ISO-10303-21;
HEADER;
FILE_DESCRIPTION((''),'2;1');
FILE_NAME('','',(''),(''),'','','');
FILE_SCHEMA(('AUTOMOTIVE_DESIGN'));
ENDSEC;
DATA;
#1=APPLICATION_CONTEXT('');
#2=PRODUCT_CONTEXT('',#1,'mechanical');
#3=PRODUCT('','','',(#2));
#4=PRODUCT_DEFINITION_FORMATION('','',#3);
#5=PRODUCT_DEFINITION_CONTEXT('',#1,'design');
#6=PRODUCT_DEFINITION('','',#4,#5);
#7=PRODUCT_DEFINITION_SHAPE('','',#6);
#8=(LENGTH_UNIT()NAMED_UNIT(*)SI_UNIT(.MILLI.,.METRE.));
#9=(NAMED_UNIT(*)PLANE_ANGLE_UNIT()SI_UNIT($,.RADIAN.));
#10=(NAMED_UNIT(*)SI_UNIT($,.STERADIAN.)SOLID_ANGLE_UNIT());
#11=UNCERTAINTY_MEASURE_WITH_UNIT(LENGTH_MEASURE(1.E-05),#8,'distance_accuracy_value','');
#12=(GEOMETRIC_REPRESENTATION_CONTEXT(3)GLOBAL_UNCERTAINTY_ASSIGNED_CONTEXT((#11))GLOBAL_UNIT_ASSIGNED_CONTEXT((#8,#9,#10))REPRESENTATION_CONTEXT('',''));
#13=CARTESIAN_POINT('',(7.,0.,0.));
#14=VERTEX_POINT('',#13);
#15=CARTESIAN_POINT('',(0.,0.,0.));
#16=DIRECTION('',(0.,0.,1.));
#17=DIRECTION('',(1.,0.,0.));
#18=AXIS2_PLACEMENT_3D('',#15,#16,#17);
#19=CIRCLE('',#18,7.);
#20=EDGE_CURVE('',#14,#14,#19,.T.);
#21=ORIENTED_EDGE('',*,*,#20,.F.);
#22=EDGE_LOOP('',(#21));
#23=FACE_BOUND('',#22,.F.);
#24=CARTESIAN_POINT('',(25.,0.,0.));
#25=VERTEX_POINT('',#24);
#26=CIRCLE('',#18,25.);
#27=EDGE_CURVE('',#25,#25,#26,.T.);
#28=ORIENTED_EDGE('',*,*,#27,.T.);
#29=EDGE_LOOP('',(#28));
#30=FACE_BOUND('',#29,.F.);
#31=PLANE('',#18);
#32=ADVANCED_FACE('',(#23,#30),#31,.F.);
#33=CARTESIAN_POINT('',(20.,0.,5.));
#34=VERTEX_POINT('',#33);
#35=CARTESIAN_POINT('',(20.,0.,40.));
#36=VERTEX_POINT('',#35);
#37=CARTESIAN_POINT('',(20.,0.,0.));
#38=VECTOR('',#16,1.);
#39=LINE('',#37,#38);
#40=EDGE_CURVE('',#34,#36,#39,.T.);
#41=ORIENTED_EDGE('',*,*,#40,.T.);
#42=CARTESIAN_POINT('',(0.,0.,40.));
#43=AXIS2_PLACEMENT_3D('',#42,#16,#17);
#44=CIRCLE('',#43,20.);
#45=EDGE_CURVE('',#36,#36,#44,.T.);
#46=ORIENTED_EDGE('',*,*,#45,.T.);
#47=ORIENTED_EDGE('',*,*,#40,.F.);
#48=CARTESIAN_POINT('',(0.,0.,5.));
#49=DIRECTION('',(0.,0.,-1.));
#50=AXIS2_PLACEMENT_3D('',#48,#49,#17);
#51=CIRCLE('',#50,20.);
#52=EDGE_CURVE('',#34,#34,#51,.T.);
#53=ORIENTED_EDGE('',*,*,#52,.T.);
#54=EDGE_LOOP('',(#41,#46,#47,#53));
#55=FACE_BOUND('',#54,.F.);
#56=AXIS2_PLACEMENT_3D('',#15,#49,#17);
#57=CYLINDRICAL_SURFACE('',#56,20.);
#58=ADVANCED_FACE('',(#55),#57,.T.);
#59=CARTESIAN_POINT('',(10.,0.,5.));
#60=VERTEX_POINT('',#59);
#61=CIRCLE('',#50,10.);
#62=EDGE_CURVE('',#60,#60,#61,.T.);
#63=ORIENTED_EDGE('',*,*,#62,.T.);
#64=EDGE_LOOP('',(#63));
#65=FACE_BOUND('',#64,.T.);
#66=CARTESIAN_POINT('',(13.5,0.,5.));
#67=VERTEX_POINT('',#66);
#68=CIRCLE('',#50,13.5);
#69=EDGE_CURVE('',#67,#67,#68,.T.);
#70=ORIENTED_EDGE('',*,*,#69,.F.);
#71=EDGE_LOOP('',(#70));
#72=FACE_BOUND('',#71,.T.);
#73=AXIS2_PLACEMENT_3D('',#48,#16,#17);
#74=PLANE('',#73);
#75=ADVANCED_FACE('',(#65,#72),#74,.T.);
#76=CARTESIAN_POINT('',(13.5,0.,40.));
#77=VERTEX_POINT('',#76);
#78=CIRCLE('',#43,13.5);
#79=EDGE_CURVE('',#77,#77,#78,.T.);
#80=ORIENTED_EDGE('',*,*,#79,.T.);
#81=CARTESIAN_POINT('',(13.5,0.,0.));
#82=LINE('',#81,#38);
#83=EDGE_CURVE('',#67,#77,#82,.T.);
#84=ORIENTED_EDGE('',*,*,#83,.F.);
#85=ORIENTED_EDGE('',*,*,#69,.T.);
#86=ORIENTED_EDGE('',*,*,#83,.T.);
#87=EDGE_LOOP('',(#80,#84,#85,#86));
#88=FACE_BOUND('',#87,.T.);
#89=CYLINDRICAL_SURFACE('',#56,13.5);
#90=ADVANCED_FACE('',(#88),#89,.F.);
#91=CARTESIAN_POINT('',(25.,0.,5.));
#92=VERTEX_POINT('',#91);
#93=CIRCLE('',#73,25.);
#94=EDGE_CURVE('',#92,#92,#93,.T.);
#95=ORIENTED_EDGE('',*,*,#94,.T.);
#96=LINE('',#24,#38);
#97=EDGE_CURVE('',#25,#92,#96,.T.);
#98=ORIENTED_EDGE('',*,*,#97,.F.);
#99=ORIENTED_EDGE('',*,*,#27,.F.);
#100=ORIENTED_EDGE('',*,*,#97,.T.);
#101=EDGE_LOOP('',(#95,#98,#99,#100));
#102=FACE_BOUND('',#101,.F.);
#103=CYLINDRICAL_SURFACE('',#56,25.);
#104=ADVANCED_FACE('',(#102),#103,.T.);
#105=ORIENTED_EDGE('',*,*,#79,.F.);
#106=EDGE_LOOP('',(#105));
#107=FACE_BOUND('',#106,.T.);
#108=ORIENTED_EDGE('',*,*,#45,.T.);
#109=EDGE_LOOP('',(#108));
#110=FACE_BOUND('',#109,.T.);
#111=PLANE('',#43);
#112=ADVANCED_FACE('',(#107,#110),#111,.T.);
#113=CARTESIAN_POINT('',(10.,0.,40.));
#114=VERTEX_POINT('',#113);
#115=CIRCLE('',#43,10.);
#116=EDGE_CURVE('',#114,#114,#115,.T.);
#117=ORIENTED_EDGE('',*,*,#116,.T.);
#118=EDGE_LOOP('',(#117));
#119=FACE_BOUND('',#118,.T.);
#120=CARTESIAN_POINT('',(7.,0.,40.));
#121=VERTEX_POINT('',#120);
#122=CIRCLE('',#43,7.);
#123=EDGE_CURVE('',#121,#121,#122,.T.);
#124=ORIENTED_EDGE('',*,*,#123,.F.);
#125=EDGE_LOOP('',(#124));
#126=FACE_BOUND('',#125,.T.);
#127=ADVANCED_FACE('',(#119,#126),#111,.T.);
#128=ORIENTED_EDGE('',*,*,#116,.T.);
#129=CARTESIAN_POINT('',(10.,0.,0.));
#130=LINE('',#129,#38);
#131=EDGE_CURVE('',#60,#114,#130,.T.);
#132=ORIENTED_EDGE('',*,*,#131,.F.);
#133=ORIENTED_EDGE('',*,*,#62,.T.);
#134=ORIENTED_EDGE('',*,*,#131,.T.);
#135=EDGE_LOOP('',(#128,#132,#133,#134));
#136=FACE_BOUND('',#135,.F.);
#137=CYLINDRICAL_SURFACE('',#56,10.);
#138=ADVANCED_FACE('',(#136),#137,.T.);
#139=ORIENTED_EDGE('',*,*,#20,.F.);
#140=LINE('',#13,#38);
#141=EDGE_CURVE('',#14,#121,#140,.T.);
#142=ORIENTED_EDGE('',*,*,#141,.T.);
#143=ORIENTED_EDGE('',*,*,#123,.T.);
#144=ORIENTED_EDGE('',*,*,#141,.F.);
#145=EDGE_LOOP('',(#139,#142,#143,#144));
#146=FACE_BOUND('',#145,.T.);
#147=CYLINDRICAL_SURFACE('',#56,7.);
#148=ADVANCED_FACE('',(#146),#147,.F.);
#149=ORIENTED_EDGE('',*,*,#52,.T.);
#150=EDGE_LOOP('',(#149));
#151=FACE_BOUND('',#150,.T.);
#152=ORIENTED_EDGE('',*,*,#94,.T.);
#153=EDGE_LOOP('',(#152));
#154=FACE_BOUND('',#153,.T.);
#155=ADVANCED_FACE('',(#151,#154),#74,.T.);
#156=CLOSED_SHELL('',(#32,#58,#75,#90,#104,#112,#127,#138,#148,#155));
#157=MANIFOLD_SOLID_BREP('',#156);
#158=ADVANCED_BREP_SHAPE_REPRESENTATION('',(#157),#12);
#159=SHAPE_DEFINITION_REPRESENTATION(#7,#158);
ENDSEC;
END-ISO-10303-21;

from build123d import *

# Parameters (mm, degrees)
F0_R     = 25
F0_R_2   = 20
F0_R_3   = 13.5
F0_R_4   = 10
F0_R_5   = 7
F1_DEPTH = 5
F2_DEPTH = 40
F3_DEPTH = 40


with BuildPart() as f1:
    # F0 (on Top) → F1 (new body)
    with BuildSketch(Plane.XY):
        Circle(F0_R)
        Circle(F0_R_2, mode=Mode.SUBTRACT)
        Circle(F0_R_2)
        Circle(F0_R_3, mode=Mode.SUBTRACT)
        Circle(F0_R_3)
        Circle(F0_R_4, mode=Mode.SUBTRACT)
        Circle(F0_R_4)
        Circle(F0_R_5, mode=Mode.SUBTRACT)
    extrude(amount=F1_DEPTH)

    # F0 (on Top) → F2 (join)
    with BuildSketch(Plane.XY):
        Circle(F0_R_2)
        Circle(F0_R_3, mode=Mode.SUBTRACT)
    extrude(amount=F2_DEPTH)

    # F0 (on Top) → F3 (join)
    with BuildSketch(Plane.XY):
        Circle(F0_R_4)
        Circle(F0_R_5, mode=Mode.SUBTRACT)
    extrude(amount=F3_DEPTH)


solid = f1.part
